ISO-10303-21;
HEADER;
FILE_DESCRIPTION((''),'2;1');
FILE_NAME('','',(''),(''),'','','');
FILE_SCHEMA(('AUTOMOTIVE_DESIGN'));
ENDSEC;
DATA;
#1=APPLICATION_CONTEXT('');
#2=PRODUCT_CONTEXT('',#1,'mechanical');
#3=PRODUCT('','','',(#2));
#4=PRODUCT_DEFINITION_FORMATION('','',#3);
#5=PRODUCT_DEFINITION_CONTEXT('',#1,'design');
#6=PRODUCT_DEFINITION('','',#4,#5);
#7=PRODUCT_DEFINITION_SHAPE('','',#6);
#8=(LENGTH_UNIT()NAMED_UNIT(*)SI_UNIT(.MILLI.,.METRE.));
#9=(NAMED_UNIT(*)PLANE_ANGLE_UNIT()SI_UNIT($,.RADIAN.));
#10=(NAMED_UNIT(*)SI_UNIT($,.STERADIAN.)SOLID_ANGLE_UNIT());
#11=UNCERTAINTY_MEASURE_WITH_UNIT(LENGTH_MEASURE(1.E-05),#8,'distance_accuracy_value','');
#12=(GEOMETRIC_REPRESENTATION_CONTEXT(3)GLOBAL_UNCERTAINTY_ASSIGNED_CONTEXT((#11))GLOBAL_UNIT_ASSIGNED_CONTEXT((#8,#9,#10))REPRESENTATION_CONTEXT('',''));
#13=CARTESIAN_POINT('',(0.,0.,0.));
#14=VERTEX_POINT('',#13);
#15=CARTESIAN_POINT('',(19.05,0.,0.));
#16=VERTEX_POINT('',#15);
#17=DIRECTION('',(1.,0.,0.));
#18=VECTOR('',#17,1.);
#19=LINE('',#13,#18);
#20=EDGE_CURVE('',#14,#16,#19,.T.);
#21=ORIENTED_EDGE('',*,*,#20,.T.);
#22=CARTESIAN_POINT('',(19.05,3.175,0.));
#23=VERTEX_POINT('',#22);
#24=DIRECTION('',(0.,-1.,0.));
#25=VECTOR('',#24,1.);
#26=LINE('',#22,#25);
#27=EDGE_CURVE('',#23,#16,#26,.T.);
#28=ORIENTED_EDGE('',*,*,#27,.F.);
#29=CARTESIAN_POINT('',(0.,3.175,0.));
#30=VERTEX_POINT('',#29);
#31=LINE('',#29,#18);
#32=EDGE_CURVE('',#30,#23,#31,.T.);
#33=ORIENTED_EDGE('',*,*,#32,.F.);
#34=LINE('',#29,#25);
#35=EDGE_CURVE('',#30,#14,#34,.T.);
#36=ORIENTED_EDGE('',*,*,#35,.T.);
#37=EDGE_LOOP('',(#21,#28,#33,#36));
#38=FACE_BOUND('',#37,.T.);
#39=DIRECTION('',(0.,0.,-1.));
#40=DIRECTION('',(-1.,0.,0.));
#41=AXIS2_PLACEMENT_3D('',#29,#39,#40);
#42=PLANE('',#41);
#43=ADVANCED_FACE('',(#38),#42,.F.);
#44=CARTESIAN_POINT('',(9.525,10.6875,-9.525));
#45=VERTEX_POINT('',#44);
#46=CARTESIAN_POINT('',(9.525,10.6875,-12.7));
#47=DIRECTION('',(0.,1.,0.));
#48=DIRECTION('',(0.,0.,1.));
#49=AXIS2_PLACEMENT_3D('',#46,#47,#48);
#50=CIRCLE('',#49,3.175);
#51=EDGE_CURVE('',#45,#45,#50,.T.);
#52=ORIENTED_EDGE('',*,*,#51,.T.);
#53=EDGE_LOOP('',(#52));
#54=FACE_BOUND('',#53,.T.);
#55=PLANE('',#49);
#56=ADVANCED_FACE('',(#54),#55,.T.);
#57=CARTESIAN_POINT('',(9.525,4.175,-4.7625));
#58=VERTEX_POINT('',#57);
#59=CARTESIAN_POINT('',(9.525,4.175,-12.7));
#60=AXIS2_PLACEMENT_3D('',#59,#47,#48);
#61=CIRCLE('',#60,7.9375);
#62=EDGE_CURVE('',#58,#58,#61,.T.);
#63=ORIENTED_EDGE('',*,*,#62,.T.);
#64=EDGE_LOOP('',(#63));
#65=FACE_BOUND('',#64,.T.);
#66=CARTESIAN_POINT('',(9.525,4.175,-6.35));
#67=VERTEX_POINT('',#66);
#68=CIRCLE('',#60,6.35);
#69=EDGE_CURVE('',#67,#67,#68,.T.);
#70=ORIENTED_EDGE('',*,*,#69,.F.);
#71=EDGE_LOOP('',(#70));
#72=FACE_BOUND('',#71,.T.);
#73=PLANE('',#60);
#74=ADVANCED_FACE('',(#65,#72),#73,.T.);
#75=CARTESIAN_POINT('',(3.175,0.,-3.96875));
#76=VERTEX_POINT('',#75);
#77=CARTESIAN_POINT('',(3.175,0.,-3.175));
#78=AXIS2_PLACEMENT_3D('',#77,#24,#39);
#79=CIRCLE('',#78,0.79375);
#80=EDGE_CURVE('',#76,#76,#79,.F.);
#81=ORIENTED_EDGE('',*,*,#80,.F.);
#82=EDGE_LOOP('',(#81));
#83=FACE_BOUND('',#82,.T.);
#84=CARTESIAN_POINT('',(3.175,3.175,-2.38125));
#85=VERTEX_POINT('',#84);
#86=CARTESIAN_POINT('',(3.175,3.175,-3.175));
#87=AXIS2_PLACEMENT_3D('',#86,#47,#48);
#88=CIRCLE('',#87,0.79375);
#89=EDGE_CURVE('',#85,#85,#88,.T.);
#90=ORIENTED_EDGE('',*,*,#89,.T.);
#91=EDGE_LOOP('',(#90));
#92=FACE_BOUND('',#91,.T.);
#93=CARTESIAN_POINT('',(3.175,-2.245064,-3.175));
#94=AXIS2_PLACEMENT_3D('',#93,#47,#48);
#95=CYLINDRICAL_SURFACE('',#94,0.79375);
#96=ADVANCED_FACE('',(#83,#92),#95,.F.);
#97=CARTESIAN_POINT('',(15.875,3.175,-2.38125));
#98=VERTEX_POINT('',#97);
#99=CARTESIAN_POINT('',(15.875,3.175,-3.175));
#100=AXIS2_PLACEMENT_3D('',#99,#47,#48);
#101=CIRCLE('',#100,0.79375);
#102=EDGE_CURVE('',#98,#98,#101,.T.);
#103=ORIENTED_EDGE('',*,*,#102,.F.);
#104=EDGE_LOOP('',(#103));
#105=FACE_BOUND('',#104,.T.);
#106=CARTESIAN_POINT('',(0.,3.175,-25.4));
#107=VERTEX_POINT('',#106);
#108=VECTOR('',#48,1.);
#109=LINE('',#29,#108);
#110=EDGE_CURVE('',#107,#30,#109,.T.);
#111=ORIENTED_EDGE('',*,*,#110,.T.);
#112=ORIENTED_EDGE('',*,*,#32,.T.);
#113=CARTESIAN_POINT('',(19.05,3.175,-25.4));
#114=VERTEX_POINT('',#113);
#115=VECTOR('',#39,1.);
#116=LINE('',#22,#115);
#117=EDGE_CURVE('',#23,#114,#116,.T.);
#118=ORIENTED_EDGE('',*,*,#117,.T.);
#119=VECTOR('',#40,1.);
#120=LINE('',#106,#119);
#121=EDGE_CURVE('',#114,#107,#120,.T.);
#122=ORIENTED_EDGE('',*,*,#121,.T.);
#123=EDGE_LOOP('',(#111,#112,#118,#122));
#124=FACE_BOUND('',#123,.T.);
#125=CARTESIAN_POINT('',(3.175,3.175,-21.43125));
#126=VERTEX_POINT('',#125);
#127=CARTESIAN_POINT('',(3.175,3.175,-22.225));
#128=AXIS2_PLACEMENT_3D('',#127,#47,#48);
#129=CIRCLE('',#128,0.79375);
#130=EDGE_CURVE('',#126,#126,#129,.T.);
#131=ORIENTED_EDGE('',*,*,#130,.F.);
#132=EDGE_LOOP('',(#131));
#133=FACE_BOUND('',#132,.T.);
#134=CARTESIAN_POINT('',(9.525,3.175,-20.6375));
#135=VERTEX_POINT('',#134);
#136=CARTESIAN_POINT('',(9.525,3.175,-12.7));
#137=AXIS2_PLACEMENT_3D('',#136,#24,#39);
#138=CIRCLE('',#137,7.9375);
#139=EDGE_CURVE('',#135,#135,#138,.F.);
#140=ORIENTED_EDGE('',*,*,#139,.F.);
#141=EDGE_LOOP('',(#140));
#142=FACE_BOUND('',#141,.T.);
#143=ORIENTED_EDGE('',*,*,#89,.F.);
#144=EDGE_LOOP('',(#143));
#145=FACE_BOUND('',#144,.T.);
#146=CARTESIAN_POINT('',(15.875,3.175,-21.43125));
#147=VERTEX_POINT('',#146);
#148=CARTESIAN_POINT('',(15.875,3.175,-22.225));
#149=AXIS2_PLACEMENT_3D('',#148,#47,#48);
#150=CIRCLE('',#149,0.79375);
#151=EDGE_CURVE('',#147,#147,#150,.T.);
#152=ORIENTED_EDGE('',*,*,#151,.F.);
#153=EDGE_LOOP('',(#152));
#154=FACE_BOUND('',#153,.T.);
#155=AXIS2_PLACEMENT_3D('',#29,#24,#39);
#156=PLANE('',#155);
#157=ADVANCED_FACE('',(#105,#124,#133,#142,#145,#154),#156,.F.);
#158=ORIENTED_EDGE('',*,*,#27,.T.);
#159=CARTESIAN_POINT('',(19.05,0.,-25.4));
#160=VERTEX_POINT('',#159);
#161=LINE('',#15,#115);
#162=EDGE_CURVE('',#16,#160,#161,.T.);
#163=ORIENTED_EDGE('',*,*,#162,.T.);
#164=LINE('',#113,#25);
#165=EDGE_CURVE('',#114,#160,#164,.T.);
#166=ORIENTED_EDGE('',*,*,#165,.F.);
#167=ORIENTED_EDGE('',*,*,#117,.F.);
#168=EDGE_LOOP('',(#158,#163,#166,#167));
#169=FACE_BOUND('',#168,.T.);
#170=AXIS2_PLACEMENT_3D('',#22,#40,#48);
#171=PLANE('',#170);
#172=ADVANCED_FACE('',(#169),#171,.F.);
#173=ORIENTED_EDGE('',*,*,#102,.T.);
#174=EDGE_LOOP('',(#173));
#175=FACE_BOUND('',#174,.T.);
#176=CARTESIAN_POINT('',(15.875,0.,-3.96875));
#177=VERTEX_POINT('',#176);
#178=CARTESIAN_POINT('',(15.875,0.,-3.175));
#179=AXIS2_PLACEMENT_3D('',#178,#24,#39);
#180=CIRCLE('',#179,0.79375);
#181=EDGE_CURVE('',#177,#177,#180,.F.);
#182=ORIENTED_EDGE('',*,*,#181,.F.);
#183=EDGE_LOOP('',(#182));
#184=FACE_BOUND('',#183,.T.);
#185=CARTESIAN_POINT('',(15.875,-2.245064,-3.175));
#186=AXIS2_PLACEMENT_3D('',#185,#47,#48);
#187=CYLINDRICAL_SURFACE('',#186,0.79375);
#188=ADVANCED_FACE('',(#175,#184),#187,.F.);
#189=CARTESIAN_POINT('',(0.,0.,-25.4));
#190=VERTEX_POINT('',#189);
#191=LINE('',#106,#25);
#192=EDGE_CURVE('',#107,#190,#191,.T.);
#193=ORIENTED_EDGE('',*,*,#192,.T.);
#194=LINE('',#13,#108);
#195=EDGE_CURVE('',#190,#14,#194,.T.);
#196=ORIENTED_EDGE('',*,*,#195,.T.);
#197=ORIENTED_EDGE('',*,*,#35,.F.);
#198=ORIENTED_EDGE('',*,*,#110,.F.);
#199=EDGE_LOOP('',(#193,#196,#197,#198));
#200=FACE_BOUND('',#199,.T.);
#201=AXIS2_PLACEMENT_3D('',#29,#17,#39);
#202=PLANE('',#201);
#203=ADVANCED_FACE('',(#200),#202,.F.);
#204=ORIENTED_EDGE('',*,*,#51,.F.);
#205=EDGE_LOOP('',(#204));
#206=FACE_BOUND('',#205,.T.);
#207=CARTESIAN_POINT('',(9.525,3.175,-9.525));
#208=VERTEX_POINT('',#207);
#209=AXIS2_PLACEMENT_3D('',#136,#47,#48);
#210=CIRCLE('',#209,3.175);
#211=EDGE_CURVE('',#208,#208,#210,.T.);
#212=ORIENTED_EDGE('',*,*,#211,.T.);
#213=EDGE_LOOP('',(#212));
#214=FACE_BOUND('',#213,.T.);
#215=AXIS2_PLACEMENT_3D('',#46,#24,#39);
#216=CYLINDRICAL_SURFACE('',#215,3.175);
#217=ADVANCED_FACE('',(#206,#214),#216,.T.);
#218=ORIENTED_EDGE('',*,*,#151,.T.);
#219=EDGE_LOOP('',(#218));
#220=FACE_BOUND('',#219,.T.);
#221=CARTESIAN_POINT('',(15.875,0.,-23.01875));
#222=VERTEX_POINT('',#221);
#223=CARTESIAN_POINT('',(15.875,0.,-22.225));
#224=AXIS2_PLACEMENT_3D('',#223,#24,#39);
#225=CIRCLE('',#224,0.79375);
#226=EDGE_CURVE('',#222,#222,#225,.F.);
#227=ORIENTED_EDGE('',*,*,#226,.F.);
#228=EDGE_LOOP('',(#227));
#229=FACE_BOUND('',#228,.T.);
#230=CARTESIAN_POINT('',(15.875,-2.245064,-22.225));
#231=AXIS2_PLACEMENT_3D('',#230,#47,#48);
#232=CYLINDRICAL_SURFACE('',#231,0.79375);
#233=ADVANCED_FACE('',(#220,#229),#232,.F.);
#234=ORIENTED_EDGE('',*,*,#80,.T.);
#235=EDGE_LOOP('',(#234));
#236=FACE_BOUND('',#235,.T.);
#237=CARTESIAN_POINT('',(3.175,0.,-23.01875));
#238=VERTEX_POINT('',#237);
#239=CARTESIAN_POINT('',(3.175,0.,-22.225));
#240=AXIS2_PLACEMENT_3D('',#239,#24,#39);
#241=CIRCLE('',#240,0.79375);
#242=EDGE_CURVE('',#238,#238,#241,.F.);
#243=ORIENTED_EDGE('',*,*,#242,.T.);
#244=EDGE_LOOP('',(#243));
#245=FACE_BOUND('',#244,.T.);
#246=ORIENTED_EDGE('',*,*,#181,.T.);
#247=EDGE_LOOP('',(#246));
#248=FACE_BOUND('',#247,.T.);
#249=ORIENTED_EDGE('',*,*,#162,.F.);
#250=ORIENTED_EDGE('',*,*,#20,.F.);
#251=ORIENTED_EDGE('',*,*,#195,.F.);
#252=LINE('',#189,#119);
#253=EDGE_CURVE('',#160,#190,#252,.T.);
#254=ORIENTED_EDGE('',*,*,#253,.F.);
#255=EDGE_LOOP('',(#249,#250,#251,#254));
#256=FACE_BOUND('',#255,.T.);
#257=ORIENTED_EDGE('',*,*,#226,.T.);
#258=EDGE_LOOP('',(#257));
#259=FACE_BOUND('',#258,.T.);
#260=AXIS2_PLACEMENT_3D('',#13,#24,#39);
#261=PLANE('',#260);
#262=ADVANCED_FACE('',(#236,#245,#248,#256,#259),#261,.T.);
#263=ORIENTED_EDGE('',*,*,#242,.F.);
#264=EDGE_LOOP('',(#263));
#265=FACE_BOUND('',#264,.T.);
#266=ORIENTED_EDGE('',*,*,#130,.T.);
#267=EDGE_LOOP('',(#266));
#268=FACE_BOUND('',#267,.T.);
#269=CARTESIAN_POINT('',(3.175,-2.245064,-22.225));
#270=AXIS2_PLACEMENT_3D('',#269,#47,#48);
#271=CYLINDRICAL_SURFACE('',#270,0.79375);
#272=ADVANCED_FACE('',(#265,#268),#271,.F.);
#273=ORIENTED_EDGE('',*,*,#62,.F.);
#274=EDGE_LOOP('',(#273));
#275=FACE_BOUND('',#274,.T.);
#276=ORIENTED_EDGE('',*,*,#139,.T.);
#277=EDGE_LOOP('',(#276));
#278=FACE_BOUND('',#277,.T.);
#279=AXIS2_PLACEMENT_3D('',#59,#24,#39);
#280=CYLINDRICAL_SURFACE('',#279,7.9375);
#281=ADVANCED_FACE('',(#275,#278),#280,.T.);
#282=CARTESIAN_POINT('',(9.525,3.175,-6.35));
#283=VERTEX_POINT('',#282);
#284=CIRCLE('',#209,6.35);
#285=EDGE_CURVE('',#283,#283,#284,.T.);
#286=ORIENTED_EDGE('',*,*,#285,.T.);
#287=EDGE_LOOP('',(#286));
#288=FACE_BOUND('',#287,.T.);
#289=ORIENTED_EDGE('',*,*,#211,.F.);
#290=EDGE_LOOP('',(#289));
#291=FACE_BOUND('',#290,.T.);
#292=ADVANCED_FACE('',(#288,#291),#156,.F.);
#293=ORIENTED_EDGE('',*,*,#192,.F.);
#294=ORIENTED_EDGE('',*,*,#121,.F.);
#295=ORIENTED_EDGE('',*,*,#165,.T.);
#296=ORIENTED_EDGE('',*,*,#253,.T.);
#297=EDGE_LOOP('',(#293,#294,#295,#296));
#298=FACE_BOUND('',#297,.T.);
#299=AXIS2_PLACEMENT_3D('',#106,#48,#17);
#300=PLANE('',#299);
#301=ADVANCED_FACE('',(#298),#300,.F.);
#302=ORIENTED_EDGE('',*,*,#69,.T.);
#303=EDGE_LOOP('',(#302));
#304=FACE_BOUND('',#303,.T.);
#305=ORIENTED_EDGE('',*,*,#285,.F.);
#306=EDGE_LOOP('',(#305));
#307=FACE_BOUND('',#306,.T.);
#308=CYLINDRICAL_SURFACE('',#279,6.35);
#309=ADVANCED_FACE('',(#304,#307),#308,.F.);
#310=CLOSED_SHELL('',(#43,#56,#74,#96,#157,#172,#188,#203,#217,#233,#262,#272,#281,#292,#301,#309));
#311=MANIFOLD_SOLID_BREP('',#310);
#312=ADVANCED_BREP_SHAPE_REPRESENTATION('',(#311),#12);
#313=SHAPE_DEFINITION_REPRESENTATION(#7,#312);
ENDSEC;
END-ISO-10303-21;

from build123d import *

# Parameters (mm, degrees)
SKETCH1_W           = 19.05
SKETCH1_H           = 25.4
BOSS_EXTRUDE1_DEPTH = 3.175
SKETCH2_R           = 3.175
BOSS_EXTRUDE2_DEPTH = 7.5125
SKETCH3_R           = 0.79375
CUT_EXTRUDE1_DEPTH  = 3.175
SKETCH4_R           = 7.9375
SKETCH4_R_2         = 6.35
BOSS_EXTRUDE3_DEPTH = 1


with BuildPart() as part:
    # Sketch1 → Boss-Extrude1 (new body)
    with BuildSketch(Plane(origin=(0, 0, 0), x_dir=(1, 0, 0), z_dir=(0, 1, 0))):
        with Locations((9.525, 12.7)):
            Rectangle(SKETCH1_W, SKETCH1_H)
    extrude(amount=BOSS_EXTRUDE1_DEPTH)

    # Sketch2 → Boss-Extrude2 (add)
    with BuildSketch(Plane(origin=(0, 3.175, 0), x_dir=(1, 0, 0), z_dir=(0, 1, 0))):
        with Locations((9.525, 12.7)):
            Circle(SKETCH2_R)
    extrude(amount=BOSS_EXTRUDE2_DEPTH)

    # Sketch3 → Cut-Extrude1 (cut)
    with BuildSketch(Plane(origin=(0, 3.175, 0), x_dir=(1, 0, 0), z_dir=(0, 1, 0))):
        with Locations((3.175, 22.225)):
            Circle(SKETCH3_R)
        with Locations((15.875, 22.225)):
            Circle(SKETCH3_R)
        with Locations((15.875, 3.175)):
            Circle(SKETCH3_R)
        with Locations((3.175, 3.175)):
            Circle(SKETCH3_R)
    extrude(amount=-CUT_EXTRUDE1_DEPTH, mode=Mode.SUBTRACT)

    # Sketch4 → Boss-Extrude3 (add)
    with BuildSketch(Plane(origin=(0, 3.175, 0), x_dir=(1, 0, 0), z_dir=(0, 1, 0))):
        with Locations((9.525, 12.7)):
            Circle(SKETCH4_R)
        with Locations((9.525, 12.7)):
            Circle(SKETCH4_R_2, mode=Mode.SUBTRACT)
    extrude(amount=BOSS_EXTRUDE3_DEPTH)


solid = part.part
